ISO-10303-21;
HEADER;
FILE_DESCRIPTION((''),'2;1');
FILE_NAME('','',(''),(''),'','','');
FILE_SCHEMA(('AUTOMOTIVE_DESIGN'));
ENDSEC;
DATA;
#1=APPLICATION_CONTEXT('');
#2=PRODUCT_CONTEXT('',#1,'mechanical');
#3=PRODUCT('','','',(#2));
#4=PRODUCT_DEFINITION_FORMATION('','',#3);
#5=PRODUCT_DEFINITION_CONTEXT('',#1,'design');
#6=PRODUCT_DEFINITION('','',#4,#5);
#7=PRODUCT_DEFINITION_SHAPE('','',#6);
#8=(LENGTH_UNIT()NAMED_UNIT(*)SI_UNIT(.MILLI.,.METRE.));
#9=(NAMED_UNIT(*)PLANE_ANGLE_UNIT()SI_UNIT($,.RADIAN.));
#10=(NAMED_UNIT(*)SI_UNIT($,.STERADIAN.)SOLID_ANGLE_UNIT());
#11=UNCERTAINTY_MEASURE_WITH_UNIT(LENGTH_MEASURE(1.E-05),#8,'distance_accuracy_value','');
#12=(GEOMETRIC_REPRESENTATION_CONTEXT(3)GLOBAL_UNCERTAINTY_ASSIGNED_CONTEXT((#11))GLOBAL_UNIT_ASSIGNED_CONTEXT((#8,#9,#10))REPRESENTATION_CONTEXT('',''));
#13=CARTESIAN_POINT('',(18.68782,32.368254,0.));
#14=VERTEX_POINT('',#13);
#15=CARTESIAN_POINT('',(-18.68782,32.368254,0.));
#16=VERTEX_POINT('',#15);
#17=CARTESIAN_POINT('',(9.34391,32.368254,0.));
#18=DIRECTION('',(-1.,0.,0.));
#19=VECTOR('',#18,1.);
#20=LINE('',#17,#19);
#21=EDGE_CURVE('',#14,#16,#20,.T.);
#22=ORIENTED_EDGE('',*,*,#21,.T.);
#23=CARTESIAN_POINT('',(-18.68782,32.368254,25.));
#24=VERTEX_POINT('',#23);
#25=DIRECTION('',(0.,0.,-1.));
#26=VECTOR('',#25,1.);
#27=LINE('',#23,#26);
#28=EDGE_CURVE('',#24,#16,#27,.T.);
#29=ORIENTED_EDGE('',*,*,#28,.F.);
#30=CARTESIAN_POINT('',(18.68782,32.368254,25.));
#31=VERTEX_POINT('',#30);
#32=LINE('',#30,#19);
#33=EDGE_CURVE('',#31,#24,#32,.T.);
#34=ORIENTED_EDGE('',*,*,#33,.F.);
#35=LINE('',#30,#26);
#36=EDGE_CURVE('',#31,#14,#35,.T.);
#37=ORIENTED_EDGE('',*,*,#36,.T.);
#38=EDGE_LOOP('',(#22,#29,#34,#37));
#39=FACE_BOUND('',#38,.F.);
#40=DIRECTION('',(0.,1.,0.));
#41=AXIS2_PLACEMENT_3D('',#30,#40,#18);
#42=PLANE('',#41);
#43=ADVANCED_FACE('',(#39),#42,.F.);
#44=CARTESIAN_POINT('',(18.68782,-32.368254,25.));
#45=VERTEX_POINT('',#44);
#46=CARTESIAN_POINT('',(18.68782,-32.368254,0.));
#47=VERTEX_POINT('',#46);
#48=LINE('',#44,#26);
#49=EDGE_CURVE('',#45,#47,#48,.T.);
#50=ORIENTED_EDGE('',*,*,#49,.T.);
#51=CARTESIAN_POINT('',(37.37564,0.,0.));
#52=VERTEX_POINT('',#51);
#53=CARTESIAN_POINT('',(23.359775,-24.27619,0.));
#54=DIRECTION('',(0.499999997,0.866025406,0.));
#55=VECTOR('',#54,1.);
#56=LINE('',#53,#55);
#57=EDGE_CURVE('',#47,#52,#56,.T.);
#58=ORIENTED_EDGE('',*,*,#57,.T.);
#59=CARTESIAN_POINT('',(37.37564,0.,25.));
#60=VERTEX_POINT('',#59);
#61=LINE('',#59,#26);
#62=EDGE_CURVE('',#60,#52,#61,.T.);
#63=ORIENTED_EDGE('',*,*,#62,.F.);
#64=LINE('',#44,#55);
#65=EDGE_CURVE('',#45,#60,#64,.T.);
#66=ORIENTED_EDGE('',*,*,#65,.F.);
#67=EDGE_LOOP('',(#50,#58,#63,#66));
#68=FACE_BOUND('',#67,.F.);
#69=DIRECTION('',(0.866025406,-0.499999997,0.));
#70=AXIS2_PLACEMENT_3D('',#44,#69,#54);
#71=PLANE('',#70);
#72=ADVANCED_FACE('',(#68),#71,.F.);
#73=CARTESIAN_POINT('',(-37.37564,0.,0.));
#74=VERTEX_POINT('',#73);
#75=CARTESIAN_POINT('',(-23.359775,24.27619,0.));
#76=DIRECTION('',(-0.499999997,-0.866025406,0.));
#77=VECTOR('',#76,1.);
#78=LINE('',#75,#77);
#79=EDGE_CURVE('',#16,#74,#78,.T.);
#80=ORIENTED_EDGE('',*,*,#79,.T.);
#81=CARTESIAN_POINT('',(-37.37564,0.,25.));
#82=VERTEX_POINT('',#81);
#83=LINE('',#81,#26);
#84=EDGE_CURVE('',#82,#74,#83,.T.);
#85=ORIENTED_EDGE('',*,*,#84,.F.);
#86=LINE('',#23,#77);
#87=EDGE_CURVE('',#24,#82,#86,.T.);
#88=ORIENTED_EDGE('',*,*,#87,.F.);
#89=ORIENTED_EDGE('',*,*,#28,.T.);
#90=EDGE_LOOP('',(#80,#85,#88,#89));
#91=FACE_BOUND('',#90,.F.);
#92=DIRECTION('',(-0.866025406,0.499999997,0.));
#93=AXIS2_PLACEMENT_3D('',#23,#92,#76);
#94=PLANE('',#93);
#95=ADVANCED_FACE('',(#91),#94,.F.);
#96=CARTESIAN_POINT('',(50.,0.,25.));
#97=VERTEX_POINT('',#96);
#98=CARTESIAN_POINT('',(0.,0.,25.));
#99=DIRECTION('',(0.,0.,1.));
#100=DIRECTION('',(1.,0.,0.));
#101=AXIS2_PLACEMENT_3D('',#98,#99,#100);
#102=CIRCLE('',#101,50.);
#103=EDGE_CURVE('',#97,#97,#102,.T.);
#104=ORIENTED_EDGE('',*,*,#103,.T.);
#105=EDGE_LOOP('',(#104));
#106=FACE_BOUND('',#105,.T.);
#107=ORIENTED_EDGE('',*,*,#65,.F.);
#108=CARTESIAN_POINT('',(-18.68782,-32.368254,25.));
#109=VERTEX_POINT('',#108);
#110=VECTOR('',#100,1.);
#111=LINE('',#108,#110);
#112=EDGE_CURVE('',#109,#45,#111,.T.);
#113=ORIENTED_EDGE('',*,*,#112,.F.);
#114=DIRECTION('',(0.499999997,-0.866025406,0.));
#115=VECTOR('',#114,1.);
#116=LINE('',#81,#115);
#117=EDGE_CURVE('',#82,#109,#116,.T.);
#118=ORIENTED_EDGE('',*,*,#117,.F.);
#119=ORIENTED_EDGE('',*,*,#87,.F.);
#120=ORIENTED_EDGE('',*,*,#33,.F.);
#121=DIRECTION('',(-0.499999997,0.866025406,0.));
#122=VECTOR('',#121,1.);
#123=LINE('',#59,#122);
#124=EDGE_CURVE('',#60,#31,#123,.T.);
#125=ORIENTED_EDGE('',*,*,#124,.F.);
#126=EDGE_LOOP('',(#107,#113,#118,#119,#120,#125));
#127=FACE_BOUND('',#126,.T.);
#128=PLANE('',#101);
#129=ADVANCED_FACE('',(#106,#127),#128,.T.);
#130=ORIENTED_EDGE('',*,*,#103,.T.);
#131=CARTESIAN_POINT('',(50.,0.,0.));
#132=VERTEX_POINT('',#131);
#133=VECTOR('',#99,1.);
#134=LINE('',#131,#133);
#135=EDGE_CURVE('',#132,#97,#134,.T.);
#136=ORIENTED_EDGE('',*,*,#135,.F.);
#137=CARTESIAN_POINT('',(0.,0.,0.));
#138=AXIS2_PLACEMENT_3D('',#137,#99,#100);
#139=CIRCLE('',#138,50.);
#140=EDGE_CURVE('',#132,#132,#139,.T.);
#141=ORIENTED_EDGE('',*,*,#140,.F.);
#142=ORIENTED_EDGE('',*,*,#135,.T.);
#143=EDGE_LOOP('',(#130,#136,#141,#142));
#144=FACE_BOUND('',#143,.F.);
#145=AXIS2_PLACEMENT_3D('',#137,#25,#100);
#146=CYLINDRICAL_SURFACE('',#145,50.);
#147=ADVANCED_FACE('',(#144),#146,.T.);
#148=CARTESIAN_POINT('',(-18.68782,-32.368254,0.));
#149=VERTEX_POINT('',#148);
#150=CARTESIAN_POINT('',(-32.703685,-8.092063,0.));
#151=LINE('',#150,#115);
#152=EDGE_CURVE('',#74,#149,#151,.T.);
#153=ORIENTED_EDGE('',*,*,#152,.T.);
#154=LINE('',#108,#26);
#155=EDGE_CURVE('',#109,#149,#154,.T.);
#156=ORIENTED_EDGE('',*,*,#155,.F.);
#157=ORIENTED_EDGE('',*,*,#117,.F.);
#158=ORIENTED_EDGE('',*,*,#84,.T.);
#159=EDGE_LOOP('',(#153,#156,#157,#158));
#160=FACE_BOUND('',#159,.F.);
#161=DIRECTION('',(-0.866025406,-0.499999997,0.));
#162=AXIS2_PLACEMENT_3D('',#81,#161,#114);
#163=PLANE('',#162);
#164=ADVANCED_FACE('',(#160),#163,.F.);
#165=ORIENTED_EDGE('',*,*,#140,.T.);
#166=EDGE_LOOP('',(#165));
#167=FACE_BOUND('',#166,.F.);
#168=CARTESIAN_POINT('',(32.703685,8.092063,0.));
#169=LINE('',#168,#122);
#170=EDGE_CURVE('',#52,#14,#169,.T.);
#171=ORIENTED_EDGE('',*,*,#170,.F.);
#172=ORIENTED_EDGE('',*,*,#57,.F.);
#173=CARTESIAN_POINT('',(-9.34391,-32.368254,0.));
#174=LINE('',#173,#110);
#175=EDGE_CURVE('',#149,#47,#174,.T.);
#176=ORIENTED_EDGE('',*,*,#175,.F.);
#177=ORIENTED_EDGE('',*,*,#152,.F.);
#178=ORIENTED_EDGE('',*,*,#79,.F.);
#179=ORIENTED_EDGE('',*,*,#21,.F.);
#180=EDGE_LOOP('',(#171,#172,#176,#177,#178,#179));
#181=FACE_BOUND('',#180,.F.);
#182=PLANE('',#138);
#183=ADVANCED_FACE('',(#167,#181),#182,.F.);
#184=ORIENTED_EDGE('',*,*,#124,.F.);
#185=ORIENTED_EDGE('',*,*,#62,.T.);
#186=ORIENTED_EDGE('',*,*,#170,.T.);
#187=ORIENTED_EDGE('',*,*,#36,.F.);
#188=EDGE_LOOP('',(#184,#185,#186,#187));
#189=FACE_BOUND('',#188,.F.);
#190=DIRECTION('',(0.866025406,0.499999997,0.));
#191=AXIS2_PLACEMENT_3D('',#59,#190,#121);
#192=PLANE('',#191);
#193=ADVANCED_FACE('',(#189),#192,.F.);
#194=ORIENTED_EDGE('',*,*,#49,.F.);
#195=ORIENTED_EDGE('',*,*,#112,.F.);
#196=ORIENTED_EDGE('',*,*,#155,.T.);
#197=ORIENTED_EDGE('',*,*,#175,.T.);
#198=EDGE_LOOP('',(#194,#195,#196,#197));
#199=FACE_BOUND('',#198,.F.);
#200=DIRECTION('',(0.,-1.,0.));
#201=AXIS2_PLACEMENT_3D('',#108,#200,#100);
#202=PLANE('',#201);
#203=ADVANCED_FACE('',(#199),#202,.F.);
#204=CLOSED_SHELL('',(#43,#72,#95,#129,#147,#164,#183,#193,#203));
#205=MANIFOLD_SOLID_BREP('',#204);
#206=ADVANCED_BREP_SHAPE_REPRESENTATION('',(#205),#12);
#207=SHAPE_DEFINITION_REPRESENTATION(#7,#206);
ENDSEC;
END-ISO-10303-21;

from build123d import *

# Parameters (mm, degrees)
F0_R     = 50
F1_DEPTH = 25
F3_DEPTH = 25.001


with BuildPart() as f1:
    # F0 (on Top) → F1 (new body)
    with BuildSketch(Plane.XY):
        Circle(F0_R)
    extrude(amount=F1_DEPTH)

    # F2 (on face) → F3 (cut, through all)
    with BuildSketch(Plane.XY.offset(25)):
        Polygon((18.68782, -32.368254), (37.37564, 0), (18.68782, 32.368254), (-18.68782, 32.368254), (-37.37564, 0), (-18.68782, -32.368254), align=None)
    extrude(amount=-F3_DEPTH, mode=Mode.SUBTRACT)


solid = f1.part
